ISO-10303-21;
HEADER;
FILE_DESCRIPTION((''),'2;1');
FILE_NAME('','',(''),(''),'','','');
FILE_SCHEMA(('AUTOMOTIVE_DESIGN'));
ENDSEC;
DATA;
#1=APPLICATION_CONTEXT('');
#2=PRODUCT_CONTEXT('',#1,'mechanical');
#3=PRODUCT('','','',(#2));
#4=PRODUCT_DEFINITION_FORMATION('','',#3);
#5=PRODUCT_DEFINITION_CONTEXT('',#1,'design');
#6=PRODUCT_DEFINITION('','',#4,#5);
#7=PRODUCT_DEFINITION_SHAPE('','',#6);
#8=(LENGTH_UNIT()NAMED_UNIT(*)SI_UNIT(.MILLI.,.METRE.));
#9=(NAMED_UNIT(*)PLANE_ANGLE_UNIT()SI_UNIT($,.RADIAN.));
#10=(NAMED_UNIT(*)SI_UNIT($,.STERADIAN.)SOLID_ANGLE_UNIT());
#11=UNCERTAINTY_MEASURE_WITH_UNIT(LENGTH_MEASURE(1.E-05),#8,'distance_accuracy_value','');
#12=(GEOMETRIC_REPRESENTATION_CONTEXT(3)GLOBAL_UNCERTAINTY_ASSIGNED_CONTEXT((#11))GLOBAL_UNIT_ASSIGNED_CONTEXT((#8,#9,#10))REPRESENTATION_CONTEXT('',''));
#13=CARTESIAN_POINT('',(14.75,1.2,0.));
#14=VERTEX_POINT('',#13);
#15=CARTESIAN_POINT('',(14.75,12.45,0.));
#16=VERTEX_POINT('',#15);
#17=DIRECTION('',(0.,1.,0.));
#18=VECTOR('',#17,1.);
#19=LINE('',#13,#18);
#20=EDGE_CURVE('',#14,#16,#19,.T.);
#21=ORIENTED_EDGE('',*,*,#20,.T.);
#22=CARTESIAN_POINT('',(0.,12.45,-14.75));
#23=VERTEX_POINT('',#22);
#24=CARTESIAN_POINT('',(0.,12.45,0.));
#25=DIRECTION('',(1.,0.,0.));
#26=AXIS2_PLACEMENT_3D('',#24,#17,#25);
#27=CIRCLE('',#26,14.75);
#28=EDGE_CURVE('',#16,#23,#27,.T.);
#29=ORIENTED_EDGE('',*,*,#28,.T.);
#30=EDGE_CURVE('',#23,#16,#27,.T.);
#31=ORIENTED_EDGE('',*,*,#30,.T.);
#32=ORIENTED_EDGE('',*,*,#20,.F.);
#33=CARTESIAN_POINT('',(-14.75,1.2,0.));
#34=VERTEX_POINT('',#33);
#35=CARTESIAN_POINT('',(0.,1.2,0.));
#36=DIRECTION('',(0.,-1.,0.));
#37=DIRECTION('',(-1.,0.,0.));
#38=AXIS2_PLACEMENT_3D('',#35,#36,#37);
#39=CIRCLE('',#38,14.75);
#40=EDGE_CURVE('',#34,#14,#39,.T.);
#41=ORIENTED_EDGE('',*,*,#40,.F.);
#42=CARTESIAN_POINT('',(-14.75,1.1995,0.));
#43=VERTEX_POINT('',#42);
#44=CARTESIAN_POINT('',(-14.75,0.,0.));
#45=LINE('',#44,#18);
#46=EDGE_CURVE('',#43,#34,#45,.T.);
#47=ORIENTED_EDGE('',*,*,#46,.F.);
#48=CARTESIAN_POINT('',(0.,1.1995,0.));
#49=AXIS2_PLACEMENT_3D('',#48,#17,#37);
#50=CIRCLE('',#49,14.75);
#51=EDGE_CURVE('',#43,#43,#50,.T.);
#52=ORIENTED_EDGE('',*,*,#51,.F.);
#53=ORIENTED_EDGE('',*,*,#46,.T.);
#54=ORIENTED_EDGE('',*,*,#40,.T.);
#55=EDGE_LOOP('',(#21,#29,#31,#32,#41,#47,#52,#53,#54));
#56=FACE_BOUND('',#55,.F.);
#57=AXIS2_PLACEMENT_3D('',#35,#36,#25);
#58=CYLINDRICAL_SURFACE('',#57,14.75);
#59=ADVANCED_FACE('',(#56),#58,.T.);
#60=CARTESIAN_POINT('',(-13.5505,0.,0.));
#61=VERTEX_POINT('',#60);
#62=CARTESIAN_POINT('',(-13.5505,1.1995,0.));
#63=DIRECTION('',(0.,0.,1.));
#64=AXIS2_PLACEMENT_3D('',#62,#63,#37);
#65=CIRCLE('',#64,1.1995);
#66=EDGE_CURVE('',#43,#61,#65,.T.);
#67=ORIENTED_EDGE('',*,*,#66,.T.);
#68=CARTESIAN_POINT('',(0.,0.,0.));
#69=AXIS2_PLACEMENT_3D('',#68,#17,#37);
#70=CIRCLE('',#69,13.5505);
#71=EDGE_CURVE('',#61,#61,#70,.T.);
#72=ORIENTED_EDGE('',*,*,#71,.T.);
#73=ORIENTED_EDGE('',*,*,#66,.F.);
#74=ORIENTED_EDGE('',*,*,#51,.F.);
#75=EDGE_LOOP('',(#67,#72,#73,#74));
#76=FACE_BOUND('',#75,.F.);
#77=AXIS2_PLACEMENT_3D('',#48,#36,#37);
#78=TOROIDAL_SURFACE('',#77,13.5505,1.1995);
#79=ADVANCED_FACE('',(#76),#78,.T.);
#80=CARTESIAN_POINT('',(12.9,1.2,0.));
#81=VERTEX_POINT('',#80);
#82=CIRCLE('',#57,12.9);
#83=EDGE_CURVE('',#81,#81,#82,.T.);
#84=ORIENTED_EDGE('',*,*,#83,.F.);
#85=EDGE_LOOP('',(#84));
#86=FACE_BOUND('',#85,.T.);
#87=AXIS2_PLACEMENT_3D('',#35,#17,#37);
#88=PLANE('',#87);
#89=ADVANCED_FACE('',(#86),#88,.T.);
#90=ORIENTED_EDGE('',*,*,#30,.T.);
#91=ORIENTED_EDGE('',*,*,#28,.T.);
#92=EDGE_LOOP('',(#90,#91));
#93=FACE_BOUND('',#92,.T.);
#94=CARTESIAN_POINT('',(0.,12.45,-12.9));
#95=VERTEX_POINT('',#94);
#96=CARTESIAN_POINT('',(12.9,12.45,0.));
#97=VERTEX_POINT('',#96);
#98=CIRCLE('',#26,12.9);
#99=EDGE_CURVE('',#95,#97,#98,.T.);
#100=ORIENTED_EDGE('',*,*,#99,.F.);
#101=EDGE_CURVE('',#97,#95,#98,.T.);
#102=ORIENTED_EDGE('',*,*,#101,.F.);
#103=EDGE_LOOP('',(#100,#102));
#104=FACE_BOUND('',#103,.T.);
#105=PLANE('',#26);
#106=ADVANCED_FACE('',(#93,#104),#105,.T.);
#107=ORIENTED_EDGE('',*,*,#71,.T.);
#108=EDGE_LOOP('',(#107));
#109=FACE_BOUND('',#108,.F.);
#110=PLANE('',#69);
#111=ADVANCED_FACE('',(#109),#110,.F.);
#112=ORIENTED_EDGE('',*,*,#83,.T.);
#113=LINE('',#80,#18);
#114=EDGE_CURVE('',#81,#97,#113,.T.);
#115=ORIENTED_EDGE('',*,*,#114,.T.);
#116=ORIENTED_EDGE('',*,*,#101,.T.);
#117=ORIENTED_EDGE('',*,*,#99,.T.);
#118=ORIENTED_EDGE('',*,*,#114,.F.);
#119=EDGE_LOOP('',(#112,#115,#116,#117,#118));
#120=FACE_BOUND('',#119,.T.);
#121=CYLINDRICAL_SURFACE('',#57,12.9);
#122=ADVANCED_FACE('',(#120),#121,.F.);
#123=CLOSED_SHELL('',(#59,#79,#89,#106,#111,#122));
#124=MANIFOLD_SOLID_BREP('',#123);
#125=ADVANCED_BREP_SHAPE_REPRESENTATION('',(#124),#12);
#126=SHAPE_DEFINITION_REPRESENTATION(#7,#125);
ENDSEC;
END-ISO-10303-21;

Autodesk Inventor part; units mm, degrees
ref_plane "YZ Plane" through (0, 0, 0) normal (1, 0, 0) x (0, 1, 0)
ref_plane "XZ Plane" through (0, 0, 0) normal (0, 1, 0) x (-1, 0, 0)
ref_plane "XY Plane" through (0, 0, 0) normal (0, 0, 1) x (1, 0, 0)
sketch "Sketch1" plane through (0, 0, 0) normal (0, 1, 0) x (-1, 0, 0)
  circle A0 centre (0, 0) radius 14.75
  line L0 (0, -14.75) -> (0, -12.9)
  circle A1 centre (0, 0) radius 12.9
  dimension "d0" = 29.5
  dimension "d1" = 1.85
extrude "Extrusion1" add sketch "Sketch1" along normal blind 1.2 contours A1 | A0
sketch "Sketch2" plane through (0, 1.2, 0) normal (0, 1, 0) x (1, 0, 0)
  circle A0 centre (0, 0) radius 14.75 projected
  line L0 (0, 14.75) -> (0, 12.9)
  circle A1 centre (0, 0) radius 12.9
  dimension "d4" = 1.85
extrude "Extrusion2" add sketch "Sketch2" along normal blind 11.25
fillet "Fillet1" radius 1.2 1 edges at (14.75, 0, 0)
properties part number "Bottle"
